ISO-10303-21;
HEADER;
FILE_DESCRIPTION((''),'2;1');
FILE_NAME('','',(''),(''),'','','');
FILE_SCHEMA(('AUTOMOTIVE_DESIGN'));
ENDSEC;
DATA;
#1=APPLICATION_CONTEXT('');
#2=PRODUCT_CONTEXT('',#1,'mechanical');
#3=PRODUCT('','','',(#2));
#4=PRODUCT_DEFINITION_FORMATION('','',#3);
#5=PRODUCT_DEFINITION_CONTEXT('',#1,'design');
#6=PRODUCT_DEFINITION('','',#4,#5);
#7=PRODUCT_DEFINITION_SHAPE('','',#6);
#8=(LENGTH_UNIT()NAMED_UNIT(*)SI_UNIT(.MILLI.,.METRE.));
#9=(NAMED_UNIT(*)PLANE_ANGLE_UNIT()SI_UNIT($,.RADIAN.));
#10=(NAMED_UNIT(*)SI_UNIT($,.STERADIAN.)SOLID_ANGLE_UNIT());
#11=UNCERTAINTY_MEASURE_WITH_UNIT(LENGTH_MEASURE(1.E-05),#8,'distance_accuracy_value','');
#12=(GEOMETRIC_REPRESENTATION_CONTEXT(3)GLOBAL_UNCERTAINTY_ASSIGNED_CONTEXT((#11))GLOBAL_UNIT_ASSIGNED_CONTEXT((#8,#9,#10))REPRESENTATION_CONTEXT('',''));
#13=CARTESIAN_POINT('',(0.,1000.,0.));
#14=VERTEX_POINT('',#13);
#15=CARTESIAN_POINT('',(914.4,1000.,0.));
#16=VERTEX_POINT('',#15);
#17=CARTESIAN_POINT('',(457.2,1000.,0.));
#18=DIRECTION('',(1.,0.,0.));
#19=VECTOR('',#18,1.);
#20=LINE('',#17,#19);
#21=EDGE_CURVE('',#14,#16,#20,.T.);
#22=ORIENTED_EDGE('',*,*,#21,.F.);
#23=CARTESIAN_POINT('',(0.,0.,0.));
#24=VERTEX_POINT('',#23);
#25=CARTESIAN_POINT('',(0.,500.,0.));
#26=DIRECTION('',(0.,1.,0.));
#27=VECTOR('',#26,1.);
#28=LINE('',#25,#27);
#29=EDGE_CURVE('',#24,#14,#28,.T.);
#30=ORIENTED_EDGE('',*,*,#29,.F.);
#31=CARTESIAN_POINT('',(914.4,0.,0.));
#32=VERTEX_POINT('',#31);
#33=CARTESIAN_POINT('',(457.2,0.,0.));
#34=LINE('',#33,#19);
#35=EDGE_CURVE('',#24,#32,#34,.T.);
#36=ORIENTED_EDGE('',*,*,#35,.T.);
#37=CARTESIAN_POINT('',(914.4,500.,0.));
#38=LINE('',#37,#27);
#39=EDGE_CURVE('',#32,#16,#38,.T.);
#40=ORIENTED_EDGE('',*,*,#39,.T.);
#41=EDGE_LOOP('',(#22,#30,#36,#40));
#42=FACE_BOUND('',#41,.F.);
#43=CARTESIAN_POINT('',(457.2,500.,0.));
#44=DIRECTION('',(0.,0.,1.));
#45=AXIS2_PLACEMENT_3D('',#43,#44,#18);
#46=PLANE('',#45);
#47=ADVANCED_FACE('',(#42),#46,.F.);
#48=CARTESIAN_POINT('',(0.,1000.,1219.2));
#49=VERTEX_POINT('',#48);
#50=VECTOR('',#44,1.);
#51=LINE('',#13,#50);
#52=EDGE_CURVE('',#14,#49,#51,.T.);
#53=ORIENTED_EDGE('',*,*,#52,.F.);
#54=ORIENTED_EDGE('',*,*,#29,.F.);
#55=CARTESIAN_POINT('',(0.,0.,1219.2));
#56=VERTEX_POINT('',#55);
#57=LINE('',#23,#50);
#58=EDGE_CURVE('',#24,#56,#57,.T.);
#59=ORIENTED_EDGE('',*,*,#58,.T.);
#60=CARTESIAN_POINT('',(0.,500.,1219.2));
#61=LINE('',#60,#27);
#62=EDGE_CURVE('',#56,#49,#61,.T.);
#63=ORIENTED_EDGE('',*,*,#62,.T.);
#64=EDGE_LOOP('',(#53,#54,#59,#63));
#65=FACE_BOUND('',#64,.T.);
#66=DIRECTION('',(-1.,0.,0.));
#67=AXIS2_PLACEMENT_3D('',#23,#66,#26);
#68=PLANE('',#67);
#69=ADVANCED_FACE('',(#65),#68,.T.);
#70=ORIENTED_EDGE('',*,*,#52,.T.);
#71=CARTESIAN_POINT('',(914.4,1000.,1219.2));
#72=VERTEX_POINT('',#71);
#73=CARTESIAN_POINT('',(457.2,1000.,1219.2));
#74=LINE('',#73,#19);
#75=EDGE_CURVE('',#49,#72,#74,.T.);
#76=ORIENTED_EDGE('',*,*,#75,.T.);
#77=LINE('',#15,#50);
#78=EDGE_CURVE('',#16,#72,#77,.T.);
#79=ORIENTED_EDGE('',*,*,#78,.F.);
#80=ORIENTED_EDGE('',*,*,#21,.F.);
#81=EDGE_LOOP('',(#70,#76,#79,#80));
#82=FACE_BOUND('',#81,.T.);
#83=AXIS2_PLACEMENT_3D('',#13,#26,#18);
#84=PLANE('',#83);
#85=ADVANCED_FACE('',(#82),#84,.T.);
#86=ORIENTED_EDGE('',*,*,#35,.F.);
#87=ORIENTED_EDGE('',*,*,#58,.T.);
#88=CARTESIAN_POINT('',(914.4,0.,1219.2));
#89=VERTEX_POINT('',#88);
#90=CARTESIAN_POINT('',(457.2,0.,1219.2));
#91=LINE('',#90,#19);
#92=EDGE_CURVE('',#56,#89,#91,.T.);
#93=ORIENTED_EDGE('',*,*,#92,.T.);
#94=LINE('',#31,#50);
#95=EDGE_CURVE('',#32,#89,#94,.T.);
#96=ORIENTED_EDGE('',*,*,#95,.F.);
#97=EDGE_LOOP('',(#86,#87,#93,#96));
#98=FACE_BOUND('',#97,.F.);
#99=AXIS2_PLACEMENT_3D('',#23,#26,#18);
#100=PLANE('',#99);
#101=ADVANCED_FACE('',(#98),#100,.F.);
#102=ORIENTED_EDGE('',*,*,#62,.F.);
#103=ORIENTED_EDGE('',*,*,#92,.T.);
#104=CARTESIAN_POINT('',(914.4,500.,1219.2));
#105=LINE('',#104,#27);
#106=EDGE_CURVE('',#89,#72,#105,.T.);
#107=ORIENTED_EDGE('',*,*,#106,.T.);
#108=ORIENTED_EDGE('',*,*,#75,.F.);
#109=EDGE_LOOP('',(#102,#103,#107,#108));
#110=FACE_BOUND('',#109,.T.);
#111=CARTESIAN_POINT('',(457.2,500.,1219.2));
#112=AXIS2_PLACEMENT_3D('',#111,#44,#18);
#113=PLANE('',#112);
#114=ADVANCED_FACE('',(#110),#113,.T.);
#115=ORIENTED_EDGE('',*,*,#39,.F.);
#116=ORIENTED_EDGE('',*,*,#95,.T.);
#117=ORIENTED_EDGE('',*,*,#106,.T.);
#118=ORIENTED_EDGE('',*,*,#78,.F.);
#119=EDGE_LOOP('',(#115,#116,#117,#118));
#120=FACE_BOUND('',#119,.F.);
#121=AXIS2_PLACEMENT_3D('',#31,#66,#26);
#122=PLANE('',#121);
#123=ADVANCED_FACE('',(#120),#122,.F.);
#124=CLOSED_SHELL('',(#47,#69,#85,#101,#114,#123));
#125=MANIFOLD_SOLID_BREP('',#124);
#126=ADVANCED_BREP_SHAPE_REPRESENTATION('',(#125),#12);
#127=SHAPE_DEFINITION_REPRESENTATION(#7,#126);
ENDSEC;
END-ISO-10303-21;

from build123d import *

# Parameters (mm, degrees)
BOX_W     = 914.4
BOX_H     = 1000
BOX_DEPTH = 1219.2


with BuildPart() as part:
    # Box → Box (new body)
    with BuildSketch(Plane.XY):
        with Locations((457.2, 500)):
            Rectangle(BOX_W, BOX_H)
    extrude(amount=BOX_DEPTH)


solid = part.part
